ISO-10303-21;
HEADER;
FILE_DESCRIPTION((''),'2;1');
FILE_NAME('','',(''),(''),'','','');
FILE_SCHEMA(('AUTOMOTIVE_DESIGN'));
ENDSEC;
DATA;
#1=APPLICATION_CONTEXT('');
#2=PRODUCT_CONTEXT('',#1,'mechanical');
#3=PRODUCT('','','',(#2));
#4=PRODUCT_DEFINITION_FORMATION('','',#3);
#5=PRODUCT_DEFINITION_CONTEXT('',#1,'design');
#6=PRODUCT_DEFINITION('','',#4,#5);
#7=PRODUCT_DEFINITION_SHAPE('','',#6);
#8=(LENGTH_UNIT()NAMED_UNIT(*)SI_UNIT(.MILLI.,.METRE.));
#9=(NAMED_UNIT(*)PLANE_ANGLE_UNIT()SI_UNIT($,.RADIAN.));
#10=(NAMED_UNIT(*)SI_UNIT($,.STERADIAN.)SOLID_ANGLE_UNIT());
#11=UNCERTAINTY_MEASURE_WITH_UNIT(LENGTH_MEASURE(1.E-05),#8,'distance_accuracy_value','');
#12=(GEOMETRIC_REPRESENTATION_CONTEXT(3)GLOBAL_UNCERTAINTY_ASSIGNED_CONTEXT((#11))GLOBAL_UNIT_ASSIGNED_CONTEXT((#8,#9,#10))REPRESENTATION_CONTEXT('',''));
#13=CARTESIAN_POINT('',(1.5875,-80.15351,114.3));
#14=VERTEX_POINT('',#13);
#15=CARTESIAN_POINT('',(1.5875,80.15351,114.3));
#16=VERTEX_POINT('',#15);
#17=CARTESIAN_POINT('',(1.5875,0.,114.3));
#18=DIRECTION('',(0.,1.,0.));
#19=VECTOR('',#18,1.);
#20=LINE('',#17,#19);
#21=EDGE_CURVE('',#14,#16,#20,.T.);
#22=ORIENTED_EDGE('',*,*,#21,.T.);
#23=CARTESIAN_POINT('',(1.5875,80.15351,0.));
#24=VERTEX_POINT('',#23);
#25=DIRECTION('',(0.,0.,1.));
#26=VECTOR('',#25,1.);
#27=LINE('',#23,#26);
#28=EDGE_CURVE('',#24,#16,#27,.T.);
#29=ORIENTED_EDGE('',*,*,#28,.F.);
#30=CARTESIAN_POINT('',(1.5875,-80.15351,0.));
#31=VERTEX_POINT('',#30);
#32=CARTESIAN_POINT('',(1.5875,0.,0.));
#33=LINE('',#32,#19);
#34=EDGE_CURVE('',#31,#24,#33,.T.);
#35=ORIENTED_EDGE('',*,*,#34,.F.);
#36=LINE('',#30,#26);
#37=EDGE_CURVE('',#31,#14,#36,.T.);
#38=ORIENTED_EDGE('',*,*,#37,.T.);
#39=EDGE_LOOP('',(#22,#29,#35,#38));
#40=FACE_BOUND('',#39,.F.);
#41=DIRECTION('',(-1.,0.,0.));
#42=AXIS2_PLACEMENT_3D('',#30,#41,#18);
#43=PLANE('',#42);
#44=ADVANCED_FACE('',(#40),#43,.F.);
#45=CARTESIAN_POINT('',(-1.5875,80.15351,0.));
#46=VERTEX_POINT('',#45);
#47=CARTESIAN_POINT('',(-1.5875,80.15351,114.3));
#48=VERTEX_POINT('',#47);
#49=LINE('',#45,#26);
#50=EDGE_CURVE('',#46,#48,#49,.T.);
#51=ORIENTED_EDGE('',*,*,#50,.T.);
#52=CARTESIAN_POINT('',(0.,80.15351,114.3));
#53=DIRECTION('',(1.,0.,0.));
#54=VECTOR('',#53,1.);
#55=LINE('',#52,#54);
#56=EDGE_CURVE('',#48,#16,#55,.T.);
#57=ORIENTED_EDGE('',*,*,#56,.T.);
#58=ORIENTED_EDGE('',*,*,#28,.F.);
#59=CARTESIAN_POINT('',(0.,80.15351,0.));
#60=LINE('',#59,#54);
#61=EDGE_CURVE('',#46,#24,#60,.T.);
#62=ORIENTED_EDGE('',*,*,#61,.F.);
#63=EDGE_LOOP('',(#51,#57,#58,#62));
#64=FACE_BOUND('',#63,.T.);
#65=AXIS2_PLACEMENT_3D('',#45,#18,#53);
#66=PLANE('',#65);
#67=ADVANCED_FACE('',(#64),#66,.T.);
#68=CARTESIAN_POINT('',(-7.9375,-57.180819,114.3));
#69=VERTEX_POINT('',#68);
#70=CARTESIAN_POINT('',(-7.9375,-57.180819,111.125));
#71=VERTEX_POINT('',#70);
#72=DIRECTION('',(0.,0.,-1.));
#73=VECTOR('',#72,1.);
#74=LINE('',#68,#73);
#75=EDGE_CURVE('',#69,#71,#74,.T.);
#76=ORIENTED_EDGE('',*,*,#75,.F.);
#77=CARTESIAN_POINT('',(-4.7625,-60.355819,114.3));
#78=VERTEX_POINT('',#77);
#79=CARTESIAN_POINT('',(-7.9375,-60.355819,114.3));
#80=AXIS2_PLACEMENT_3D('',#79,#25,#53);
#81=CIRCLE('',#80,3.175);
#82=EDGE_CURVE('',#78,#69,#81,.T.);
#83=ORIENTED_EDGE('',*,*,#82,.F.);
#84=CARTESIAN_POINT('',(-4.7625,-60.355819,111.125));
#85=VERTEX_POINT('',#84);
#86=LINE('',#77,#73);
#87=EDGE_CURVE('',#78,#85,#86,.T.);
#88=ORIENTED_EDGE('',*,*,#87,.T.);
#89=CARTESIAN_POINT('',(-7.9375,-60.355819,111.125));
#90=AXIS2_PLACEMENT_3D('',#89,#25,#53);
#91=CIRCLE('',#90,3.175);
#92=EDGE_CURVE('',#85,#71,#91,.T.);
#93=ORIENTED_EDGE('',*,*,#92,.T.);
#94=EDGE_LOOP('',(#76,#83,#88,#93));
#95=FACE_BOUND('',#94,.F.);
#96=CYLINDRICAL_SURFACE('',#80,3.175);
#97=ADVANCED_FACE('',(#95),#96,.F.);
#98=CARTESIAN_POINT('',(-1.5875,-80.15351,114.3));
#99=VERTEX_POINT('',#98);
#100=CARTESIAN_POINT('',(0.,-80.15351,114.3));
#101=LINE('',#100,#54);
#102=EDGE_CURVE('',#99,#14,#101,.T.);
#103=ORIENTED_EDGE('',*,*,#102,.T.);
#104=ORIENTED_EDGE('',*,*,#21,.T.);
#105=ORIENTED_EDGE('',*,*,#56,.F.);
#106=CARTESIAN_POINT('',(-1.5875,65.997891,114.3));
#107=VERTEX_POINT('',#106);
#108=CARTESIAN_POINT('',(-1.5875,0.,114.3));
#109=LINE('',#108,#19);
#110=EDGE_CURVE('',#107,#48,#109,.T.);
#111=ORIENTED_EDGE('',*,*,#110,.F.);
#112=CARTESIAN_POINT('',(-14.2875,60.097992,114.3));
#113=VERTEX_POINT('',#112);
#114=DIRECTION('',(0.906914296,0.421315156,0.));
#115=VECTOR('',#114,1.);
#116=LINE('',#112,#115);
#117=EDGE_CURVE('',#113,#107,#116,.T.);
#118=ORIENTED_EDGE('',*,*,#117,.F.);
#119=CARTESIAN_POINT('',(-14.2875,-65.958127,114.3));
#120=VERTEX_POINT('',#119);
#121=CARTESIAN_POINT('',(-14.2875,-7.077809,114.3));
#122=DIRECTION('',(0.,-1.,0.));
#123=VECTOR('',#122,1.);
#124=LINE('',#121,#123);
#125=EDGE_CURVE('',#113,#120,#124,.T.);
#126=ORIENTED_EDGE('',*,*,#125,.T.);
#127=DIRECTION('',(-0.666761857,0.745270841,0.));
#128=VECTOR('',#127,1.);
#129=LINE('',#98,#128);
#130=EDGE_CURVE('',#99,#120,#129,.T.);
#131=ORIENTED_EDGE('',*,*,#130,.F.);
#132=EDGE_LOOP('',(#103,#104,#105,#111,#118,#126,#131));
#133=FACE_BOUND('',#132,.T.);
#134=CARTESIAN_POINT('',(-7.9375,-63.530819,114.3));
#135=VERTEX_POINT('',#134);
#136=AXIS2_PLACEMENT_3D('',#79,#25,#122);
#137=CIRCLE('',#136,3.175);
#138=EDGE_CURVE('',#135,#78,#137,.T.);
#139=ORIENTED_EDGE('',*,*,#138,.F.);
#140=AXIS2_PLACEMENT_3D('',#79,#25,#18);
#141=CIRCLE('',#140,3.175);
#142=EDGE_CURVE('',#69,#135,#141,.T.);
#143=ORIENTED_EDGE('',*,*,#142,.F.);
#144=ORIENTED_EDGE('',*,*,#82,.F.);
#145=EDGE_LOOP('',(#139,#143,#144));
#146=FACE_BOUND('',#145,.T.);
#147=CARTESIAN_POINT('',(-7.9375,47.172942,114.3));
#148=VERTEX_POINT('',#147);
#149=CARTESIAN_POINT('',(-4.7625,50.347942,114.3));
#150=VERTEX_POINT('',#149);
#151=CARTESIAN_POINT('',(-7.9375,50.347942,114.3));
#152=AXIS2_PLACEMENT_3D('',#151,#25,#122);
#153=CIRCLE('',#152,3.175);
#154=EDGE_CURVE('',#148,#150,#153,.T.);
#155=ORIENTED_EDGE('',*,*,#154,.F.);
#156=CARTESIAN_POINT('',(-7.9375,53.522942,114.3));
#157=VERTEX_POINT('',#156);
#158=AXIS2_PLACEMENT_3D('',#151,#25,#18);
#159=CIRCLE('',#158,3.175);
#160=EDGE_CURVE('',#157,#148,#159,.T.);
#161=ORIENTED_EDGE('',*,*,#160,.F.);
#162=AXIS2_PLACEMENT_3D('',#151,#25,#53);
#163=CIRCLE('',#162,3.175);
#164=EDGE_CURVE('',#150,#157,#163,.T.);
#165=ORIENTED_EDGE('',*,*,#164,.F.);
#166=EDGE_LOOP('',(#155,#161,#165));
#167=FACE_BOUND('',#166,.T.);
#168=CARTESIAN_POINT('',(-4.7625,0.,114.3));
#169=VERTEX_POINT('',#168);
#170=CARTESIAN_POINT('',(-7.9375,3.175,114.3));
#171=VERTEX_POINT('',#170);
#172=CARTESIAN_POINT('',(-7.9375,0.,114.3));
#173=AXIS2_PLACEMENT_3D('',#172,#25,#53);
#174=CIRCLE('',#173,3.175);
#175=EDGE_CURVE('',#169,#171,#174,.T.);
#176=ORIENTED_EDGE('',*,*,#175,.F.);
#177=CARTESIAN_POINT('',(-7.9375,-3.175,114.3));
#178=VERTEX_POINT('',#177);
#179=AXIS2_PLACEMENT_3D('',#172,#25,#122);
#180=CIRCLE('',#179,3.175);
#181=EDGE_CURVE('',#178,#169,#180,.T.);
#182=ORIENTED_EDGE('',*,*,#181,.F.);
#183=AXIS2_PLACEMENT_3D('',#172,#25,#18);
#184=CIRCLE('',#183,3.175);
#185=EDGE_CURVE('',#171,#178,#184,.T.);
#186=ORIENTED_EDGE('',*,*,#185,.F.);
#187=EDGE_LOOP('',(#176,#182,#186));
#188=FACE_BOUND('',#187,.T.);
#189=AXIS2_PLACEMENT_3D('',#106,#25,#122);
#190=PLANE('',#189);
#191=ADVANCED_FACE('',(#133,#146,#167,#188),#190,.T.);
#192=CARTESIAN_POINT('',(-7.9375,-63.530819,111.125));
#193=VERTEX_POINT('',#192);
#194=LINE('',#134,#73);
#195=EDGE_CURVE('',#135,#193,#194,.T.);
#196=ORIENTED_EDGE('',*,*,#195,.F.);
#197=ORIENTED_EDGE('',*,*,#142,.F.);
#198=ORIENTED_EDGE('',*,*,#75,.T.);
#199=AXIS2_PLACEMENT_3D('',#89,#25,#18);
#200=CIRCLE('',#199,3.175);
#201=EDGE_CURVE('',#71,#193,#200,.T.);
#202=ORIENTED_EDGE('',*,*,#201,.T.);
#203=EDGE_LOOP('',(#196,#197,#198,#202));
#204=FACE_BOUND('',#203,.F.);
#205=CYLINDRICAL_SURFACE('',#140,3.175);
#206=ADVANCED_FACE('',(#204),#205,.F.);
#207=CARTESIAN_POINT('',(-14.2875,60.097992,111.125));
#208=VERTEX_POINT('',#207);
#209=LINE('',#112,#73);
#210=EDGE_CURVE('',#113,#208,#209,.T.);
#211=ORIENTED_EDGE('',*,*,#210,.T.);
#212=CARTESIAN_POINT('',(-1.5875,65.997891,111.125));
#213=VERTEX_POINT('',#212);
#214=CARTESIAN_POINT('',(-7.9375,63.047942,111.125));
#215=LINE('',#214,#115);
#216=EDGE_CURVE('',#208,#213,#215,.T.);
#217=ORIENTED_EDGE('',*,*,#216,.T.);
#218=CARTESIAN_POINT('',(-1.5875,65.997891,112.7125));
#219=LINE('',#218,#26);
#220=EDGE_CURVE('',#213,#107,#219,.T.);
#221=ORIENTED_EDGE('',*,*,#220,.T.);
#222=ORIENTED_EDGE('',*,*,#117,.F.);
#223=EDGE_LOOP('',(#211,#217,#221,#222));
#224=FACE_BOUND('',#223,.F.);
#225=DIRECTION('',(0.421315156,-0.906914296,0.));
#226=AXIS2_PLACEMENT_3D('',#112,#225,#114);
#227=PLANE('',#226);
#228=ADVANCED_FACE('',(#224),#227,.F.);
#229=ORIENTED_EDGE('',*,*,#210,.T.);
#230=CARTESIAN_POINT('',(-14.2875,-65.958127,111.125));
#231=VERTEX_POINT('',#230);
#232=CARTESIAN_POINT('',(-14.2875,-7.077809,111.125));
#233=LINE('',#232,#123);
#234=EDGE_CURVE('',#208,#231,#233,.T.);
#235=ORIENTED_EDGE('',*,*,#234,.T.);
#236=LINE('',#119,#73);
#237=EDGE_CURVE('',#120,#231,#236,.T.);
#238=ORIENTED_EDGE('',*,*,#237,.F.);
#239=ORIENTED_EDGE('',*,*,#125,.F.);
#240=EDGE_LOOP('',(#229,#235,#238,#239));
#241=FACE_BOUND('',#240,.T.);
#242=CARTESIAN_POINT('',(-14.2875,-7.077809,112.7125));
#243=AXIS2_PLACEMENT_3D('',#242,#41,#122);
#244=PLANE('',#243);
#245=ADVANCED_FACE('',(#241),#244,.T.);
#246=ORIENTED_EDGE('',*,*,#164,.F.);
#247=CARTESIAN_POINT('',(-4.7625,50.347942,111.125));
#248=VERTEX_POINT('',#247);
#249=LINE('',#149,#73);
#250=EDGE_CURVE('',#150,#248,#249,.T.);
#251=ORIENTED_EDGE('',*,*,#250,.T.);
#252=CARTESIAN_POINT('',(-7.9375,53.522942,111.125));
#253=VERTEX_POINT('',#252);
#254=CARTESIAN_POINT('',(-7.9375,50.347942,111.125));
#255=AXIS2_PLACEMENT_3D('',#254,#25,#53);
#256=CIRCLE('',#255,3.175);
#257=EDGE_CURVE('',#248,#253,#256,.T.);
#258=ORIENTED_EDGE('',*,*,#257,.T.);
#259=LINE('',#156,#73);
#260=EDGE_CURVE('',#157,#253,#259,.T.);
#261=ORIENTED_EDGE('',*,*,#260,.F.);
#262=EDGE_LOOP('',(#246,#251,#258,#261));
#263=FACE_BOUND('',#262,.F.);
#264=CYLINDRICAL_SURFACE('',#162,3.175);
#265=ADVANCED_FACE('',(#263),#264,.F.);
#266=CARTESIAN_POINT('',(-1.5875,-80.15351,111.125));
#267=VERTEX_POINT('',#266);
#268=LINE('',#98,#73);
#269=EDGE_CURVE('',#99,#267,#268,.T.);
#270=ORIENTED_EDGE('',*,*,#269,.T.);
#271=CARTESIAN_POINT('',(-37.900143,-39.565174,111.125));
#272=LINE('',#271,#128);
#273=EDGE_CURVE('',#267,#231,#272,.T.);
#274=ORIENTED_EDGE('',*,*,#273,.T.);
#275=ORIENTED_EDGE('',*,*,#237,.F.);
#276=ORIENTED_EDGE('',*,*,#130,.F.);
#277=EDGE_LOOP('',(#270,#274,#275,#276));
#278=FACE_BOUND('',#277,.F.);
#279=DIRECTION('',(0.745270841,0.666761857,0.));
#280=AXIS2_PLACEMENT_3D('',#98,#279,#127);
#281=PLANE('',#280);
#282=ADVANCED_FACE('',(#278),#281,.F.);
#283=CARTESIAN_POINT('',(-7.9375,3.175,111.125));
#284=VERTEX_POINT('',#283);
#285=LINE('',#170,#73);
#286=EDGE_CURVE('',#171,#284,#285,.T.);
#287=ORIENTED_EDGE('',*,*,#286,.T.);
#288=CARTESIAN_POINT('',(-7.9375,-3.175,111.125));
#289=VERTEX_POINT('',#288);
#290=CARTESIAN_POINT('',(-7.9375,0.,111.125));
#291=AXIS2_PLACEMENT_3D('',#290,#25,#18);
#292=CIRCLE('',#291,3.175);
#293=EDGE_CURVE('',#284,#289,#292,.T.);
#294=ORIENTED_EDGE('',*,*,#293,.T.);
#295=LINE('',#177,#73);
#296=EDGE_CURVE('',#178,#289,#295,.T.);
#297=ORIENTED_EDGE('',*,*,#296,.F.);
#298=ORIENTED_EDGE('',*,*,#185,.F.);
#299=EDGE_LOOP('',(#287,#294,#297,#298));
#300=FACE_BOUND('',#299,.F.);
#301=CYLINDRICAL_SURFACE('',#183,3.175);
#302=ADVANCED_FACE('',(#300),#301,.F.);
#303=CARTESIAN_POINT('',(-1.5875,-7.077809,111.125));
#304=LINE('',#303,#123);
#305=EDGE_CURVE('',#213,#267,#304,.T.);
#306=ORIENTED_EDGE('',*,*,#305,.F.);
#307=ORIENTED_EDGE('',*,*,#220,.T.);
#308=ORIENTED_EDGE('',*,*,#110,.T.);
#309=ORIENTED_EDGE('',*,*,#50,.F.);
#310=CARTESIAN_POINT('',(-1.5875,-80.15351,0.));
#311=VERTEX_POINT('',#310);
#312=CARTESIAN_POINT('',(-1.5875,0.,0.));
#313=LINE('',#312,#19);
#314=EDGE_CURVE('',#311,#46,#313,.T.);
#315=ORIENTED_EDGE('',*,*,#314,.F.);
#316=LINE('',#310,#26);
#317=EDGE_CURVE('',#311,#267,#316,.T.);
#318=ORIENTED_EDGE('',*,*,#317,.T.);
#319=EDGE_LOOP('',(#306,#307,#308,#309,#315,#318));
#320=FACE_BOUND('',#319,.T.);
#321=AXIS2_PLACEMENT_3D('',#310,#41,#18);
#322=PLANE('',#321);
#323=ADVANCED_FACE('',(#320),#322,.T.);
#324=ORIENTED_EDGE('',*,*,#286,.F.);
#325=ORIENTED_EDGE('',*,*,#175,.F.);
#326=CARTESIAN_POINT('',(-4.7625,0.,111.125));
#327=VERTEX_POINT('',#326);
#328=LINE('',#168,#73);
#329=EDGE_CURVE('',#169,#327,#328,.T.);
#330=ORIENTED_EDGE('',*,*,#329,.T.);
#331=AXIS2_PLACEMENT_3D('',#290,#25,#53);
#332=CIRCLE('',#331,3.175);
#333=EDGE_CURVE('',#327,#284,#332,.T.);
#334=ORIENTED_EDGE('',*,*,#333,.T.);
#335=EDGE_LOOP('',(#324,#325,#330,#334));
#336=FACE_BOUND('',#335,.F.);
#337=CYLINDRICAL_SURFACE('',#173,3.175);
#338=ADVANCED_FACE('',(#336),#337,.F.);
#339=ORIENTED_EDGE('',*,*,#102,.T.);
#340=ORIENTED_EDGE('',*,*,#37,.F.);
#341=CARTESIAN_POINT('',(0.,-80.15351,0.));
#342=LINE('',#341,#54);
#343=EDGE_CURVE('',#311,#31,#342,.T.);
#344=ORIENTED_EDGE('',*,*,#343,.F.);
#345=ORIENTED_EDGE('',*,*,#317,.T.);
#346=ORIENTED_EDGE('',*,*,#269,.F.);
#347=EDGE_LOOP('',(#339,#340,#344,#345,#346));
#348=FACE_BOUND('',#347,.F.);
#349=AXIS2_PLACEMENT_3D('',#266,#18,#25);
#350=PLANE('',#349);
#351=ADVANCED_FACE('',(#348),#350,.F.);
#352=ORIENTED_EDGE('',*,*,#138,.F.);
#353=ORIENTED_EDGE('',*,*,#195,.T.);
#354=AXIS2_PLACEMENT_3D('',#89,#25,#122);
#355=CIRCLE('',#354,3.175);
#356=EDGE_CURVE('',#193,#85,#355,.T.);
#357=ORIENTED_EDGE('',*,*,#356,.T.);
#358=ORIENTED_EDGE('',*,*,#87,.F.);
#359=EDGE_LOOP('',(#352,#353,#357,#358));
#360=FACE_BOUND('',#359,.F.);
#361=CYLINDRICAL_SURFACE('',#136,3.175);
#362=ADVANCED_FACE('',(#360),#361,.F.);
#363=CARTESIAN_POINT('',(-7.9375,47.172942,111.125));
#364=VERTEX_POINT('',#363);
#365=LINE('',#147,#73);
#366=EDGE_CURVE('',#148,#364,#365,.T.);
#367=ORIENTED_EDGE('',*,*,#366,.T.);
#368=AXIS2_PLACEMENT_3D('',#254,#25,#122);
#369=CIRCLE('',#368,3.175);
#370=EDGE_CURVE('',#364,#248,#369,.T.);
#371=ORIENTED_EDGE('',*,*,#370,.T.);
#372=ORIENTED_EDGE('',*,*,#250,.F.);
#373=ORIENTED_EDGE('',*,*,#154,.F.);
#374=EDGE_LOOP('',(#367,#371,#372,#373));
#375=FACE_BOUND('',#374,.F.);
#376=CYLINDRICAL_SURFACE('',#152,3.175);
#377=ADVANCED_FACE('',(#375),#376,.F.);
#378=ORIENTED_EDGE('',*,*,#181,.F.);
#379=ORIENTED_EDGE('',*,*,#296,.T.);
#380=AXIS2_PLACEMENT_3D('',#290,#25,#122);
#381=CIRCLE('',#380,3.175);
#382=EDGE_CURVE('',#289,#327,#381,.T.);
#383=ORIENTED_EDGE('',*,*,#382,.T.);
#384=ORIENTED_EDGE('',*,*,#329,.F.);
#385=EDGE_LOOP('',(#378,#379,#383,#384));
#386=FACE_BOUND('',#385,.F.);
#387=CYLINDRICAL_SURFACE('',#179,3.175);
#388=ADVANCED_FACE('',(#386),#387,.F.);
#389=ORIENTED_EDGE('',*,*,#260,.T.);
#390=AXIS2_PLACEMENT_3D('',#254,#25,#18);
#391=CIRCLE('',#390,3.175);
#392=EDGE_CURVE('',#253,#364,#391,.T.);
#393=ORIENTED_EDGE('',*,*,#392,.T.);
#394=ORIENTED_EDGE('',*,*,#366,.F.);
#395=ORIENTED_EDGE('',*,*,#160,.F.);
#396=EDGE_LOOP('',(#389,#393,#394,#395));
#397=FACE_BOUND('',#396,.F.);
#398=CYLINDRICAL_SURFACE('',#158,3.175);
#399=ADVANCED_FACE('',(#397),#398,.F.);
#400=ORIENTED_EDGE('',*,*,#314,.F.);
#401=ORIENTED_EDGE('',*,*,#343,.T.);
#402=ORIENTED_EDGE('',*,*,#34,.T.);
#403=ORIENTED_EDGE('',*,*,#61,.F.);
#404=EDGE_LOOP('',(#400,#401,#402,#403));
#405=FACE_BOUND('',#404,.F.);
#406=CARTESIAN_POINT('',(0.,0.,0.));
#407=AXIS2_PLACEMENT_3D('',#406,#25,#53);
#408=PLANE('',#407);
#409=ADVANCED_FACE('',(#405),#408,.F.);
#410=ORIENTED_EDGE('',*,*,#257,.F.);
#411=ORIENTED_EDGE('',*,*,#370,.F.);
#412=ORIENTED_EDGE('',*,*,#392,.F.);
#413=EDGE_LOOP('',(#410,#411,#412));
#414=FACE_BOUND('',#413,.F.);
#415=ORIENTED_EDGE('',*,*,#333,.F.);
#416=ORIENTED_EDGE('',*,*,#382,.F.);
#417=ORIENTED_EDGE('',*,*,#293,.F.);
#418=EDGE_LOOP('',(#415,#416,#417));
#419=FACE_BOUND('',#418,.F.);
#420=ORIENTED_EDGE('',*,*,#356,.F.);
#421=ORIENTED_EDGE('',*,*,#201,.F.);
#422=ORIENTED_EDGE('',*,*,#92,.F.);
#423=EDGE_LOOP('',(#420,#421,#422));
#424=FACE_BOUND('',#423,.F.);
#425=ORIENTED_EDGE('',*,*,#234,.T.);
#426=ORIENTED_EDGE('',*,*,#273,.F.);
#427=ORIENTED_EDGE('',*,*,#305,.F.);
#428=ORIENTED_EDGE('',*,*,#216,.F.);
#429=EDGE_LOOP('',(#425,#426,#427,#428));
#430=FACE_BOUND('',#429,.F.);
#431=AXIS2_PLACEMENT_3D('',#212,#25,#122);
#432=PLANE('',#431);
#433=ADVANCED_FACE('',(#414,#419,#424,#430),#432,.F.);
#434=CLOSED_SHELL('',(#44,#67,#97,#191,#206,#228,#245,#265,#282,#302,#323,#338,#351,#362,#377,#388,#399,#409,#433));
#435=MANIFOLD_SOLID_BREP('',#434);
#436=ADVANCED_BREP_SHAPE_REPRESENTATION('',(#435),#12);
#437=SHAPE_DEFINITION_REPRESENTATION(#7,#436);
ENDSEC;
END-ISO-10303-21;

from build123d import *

# Parameters (mm, degrees)
F0_W     = 3.175
F0_H     = 160.30702
F1_DEPTH = 114.3
F2_W     = 146.1514011281
F2_H     = 3.175
F3_DEPTH = 12.7
F5_DEPTH = 25.4
F7_DEPTH = 25.4


with BuildPart() as f1:
    # F0 (on Top) → F1 (new body)
    with BuildSketch(Plane.XY):
        Rectangle(F0_W, F0_H)
    extrude(amount=F1_DEPTH)

    # F2 (on face) → F3 (join)
    with BuildSketch(Plane(origin=(-1.5875, 0, 0), x_dir=(0, -1, 0), z_dir=(-1, 0, 0))):
        with Locations((7.077809436, 112.7125)):
            Rectangle(F2_W, F2_H)
    extrude(amount=F3_DEPTH)

    # F4 (on face) → F5 (cut)
    with BuildSketch(Plane.XY.offset(114.3)):
        Polygon((-14.2875, 60.0979924202), (-1.5875, 65.9978911281), (-14.2875, 65.9978911281), align=None)
        Polygon((-14.2875, -80.15351), (-1.5875, -80.15351), (-14.2875, -65.9581273794), align=None)
    extrude(amount=-F5_DEPTH, mode=Mode.SUBTRACT)

    # F6 (on face) → F7 (cut)
    with BuildSketch(Plane.XY.offset(114.3)):
        with BuildLine():
            ThreePointArc((-4.7625, 50.3479417741), (-5.6924359697, 52.5930058044), (-7.9375, 53.5229417741))
            Line((-7.9375, 53.5229417741), (-7.9375, 47.1729417741))
            ThreePointArc((-7.9375, 47.1729417741), (-5.6924359697, 48.1028777439), (-4.7625, 50.3479417741))
        make_face()
        with BuildLine():
            ThreePointArc((-4.7625, -60.3558186897), (-5.6924359697, -58.1107546594), (-7.9375, -57.1808186897))
            Line((-7.9375, -57.1808186897), (-7.9375, -63.5308186897))
            ThreePointArc((-7.9375, -63.5308186897), (-5.6924359697, -62.60088272), (-4.7625, -60.3558186897))
        make_face()
        with BuildLine():
            Line((-7.9375, -63.5308186897), (-7.9375, -57.1808186897))
            ThreePointArc((-7.9375, -57.1808186897), (-11.1125, -60.3558186897), (-7.9375, -63.5308186897))
        make_face()
        with BuildLine():
            ThreePointArc((-4.7625, 0), (-5.6924359697, 2.2450640303), (-7.9375, 3.175))
            Line((-7.9375, 3.175), (-7.9375, -3.175))
            ThreePointArc((-7.9375, -3.175), (-5.6924359697, -2.2450640303), (-4.7625, 0))
        make_face()
        with BuildLine():
            Line((-7.9375, -3.175), (-7.9375, 3.175))
            ThreePointArc((-7.9375, 3.175), (-11.1125, 0), (-7.9375, -3.175))
        make_face()
        with BuildLine():
            Line((-7.9375, 47.1729417741), (-7.9375, 53.5229417741))
            ThreePointArc((-7.9375, 53.5229417741), (-11.1125, 50.3479417741), (-7.9375, 47.1729417741))
        make_face()
    extrude(amount=-F7_DEPTH, mode=Mode.SUBTRACT)


solid = f1.part
